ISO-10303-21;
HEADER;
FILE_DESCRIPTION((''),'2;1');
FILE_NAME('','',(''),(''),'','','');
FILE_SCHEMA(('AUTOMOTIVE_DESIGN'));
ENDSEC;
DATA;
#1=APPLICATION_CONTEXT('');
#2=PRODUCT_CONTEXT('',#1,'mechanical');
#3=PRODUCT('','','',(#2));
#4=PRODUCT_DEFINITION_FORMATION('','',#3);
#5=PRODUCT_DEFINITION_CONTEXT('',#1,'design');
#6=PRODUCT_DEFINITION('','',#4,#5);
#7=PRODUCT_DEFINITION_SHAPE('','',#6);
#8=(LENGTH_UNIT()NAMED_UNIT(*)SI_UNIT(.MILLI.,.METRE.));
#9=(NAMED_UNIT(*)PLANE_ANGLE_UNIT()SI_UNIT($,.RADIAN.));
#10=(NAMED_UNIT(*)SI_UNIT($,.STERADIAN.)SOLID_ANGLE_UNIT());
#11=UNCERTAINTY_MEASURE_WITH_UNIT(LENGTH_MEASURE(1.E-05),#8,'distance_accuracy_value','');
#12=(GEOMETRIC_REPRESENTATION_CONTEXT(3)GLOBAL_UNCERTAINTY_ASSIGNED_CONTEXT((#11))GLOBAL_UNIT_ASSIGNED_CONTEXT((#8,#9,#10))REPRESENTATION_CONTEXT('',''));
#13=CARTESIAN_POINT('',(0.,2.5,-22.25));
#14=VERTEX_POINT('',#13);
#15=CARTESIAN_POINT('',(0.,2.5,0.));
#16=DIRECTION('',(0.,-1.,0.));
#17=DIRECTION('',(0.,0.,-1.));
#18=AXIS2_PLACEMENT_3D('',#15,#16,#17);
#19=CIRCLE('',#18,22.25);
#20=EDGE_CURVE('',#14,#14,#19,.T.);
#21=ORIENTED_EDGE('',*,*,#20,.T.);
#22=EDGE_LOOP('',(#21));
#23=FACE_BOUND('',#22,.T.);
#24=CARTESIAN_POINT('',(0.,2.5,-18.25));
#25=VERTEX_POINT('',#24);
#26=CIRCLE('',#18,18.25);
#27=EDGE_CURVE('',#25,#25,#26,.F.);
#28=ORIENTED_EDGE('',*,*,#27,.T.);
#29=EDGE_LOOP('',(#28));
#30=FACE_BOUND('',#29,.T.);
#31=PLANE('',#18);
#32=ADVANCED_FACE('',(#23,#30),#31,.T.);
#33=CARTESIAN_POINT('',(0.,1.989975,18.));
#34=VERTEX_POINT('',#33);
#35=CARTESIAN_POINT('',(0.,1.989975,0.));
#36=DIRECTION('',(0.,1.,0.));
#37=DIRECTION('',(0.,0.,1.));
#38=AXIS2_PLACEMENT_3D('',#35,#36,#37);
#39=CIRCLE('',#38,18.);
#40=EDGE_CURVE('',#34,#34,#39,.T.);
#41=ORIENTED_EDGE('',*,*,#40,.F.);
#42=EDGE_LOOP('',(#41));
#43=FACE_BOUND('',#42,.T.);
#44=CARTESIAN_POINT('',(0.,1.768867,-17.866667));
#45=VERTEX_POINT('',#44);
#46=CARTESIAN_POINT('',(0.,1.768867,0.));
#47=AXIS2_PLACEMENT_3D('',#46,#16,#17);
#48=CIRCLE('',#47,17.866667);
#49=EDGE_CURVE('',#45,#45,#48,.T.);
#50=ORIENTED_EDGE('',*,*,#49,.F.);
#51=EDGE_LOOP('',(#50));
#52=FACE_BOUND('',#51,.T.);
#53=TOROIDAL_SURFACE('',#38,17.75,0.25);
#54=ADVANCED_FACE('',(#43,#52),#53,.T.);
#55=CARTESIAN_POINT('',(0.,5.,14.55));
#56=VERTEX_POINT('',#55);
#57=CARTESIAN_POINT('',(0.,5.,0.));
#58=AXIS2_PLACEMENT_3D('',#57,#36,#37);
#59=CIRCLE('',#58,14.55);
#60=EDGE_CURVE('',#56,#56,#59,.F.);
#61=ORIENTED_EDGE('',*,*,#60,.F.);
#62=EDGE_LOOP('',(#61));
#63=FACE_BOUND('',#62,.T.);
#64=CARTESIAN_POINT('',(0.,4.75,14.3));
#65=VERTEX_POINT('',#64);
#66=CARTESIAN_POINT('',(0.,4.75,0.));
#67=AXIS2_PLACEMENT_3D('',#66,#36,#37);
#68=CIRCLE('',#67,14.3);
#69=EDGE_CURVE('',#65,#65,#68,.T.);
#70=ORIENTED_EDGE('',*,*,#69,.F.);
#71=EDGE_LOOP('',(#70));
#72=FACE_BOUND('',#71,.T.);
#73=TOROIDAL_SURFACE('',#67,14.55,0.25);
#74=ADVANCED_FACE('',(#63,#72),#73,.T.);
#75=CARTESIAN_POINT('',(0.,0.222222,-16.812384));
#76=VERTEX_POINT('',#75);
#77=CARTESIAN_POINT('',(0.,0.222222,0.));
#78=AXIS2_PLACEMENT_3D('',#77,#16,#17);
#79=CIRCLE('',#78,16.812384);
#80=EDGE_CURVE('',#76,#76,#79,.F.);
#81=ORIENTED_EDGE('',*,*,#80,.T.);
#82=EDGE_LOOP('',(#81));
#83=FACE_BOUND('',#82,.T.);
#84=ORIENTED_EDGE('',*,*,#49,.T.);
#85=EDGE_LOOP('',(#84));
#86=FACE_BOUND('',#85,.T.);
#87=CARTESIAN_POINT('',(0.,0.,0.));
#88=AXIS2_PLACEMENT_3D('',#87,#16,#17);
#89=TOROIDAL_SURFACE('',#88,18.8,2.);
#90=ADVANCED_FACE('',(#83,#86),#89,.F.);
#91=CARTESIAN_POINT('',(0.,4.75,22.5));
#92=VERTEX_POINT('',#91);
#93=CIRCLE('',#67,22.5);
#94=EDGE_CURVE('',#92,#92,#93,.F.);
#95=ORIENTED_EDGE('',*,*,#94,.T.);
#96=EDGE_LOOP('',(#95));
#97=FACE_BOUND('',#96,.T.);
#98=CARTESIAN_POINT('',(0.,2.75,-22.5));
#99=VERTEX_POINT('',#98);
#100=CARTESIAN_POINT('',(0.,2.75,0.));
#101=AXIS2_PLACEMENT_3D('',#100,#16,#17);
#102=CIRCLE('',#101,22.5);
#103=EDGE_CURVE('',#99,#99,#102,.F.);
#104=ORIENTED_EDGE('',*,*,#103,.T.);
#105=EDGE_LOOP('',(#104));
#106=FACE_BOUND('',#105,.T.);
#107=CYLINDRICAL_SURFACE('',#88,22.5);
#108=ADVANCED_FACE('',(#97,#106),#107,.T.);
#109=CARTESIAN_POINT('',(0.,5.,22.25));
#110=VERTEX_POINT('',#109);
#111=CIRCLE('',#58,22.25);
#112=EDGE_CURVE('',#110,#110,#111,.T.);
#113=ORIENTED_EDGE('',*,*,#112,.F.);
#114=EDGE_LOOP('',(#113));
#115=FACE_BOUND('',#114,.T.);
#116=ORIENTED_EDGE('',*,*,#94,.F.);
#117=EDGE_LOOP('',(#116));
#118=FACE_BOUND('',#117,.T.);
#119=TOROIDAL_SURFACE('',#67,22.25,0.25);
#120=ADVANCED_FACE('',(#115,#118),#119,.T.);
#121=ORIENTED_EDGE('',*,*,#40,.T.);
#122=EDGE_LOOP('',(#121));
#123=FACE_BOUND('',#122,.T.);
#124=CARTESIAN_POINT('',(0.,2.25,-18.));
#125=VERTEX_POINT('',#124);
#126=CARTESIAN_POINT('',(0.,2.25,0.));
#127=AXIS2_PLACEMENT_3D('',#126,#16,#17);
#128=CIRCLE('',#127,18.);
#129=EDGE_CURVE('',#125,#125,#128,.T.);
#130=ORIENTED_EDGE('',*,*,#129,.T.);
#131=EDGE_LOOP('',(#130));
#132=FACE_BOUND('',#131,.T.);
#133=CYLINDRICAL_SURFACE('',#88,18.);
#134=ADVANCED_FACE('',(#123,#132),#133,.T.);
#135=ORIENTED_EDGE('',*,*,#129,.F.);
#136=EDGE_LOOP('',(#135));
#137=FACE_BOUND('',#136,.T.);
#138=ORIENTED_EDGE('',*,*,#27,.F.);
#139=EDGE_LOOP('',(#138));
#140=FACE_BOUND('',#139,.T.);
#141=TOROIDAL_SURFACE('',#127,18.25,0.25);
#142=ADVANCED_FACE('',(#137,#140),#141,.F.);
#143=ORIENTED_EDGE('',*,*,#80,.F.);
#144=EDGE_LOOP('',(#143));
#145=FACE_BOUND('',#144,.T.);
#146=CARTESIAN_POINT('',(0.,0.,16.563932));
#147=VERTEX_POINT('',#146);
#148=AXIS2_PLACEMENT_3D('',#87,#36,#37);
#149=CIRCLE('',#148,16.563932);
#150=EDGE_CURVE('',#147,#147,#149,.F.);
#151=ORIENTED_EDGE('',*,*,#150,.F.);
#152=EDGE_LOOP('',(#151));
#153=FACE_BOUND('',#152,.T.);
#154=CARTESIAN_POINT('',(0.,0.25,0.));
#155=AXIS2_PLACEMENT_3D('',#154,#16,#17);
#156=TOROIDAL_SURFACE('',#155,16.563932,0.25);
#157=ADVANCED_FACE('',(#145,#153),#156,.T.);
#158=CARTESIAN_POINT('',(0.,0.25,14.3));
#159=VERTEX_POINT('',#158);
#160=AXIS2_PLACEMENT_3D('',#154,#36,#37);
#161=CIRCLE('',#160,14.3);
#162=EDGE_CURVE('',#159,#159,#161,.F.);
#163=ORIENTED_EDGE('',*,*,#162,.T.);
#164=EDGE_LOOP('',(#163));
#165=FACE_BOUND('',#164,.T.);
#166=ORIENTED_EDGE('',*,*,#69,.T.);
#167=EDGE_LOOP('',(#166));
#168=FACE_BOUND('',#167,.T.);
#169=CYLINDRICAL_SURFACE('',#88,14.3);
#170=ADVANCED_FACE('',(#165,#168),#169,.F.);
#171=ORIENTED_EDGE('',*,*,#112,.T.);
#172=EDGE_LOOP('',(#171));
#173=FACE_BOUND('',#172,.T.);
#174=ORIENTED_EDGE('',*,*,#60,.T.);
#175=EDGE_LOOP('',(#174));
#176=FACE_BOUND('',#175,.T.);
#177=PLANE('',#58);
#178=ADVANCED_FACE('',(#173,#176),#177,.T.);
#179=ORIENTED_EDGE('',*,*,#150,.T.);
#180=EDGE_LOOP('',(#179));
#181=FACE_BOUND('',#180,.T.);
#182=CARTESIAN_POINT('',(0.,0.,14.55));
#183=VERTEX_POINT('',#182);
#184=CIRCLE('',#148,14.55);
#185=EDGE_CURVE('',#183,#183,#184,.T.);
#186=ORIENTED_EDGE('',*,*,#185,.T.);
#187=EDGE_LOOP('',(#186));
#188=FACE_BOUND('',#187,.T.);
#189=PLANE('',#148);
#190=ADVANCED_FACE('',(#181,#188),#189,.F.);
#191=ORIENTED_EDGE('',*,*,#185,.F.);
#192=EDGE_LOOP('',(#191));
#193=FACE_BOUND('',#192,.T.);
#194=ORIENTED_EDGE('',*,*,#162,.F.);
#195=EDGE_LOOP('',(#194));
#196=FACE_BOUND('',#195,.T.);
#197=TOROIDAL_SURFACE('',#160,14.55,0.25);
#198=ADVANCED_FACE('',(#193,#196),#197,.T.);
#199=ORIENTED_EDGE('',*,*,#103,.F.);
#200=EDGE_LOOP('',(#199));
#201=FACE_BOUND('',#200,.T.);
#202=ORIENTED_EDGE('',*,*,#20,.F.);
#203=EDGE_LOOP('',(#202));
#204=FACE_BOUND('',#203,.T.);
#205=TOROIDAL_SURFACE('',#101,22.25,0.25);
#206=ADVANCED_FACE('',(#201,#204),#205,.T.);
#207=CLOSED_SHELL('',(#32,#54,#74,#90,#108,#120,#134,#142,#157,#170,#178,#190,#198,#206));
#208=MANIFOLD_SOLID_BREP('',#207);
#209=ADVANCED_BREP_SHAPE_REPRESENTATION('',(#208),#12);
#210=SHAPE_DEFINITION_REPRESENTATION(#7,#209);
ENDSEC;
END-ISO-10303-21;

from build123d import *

# Parameters (mm, degrees)
FILLET1_R = 0.25


with BuildPart() as part:
    # Sketch1 → Revolve1 (revolve)
    with BuildSketch(Plane.XY, mode=Mode.PRIVATE) as revolve1_sk:
        with BuildLine():
            Line((16.8, 0), (14.3, 0))
            Line((14.3, 0), (14.3, 5))
            Line((14.3, 5), (22.5, 5))
            Line((22.5, 5), (22.5, 2.5))
            Line((22.5, 2.5), (18, 2.5))
            Line((18, 2.5), (18, 1.833030278))
            ThreePointArc((18, 1.833030278), (17.126679947, 1.095445115), (16.8, 0))
        make_face()
    revolve(revolve1_sk.sketch.rotate(Axis((0, 0, 0), (0, 1, 0)), 90), axis=Axis((0, 0, 0), (0, 1, 0)))

    # Fillet1
    fillet1_edges = [part.edges().sort_by_distance(p)[0] for p in [
        (0, 2.5, 18),
        (0, 1.833030278, 18),
        (0, 0, 16.8),
        (0, 0, 14.3),
        (0, 5, 14.3),
        (0, 5, 22.5),
        (0, 2.5, 22.5),
    ]]
    fillet(fillet1_edges, radius=FILLET1_R)


solid = part.part
